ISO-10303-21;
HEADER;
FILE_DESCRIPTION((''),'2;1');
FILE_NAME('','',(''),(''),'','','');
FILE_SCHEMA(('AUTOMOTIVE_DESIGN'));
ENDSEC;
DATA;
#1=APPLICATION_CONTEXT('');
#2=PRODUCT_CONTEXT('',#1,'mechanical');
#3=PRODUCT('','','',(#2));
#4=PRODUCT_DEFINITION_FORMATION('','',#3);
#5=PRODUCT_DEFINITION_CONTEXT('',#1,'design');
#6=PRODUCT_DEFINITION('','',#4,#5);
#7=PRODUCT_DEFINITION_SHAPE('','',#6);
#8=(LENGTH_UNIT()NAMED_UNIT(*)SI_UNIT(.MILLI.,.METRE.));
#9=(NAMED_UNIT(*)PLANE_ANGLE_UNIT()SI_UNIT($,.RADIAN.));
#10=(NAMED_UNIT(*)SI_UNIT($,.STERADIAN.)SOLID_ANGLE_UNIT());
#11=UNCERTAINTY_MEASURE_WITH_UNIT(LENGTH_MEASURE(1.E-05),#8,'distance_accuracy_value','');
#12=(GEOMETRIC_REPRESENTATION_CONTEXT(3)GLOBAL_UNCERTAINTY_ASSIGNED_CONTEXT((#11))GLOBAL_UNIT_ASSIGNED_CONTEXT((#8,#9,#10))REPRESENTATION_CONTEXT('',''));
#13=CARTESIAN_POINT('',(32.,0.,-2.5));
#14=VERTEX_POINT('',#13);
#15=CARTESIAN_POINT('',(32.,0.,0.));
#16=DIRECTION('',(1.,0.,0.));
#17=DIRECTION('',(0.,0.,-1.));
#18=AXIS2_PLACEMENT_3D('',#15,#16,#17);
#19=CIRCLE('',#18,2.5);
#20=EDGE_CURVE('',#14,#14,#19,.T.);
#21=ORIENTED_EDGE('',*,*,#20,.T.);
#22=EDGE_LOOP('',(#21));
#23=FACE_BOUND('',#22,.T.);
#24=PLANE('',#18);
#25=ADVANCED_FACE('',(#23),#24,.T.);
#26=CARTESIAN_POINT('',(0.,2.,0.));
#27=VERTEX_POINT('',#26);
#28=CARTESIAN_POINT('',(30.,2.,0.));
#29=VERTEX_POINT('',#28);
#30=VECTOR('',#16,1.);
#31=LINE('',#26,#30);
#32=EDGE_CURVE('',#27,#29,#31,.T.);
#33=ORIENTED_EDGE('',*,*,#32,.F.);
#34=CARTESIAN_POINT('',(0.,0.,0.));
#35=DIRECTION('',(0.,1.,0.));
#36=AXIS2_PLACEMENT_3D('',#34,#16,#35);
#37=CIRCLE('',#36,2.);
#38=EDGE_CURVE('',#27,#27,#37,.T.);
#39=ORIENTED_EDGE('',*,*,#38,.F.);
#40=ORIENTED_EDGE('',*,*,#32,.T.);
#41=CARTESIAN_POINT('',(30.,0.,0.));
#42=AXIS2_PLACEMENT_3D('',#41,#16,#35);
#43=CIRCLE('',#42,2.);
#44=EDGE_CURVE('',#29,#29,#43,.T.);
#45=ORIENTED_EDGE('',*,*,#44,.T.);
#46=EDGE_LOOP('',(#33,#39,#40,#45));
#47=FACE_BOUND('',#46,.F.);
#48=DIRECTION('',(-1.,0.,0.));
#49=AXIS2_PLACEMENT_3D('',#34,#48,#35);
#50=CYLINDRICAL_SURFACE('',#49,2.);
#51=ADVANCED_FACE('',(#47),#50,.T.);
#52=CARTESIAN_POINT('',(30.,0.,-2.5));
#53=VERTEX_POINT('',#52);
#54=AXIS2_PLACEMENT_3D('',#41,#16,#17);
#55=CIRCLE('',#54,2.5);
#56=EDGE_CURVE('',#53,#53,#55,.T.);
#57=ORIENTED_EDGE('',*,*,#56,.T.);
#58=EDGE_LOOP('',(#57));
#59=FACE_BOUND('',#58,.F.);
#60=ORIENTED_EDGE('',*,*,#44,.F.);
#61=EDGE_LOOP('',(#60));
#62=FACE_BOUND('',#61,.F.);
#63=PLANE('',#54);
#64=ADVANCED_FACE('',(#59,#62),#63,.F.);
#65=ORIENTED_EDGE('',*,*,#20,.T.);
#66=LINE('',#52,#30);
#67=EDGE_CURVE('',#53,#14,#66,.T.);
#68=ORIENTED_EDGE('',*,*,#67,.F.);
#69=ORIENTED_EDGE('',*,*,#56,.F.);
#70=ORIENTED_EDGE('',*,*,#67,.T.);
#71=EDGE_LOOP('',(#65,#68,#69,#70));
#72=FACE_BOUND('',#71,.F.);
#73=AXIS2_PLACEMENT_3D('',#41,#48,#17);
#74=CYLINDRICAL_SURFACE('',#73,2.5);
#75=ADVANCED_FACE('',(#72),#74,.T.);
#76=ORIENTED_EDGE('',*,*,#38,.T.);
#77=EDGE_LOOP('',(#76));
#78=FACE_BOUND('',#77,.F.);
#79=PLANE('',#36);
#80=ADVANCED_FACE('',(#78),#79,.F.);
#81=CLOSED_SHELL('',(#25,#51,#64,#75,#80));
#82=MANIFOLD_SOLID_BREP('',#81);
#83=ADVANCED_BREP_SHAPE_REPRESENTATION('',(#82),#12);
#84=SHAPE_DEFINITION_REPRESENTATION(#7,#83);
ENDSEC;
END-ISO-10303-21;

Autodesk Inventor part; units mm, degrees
ref_plane "YZ Plane" through (0, 0, 0) normal (1, 0, 0) x (0, 1, 0)
ref_plane "XZ Plane" through (0, 0, 0) normal (0, 1, 0) x (-1, 0, 0)
ref_plane "XY Plane" through (0, 0, 0) normal (0, 0, 1) x (1, 0, 0)
sketch "Sketch1" plane through (0, 0, 0) normal (1, 0, 0) x (0, 1, 0)
  circle A0 centre (0, 0) radius 2
  dimension "d0" = 4
extrude "Extrusion1" add sketch "Sketch1" along normal blind 30
sketch "Sketch2" plane through (30, 0, 0) normal (1, 0, 0) x (0, 0, -1)
  circle A0 centre (0, 0) radius 2 projected
  circle A1 centre (0, 0) radius 2.5
  dimension "d3" = 5
extrude "Extrusion2" add sketch "Sketch2" along normal blind 2 contours A0 | A1
properties part number "fakeM4Bolt"
